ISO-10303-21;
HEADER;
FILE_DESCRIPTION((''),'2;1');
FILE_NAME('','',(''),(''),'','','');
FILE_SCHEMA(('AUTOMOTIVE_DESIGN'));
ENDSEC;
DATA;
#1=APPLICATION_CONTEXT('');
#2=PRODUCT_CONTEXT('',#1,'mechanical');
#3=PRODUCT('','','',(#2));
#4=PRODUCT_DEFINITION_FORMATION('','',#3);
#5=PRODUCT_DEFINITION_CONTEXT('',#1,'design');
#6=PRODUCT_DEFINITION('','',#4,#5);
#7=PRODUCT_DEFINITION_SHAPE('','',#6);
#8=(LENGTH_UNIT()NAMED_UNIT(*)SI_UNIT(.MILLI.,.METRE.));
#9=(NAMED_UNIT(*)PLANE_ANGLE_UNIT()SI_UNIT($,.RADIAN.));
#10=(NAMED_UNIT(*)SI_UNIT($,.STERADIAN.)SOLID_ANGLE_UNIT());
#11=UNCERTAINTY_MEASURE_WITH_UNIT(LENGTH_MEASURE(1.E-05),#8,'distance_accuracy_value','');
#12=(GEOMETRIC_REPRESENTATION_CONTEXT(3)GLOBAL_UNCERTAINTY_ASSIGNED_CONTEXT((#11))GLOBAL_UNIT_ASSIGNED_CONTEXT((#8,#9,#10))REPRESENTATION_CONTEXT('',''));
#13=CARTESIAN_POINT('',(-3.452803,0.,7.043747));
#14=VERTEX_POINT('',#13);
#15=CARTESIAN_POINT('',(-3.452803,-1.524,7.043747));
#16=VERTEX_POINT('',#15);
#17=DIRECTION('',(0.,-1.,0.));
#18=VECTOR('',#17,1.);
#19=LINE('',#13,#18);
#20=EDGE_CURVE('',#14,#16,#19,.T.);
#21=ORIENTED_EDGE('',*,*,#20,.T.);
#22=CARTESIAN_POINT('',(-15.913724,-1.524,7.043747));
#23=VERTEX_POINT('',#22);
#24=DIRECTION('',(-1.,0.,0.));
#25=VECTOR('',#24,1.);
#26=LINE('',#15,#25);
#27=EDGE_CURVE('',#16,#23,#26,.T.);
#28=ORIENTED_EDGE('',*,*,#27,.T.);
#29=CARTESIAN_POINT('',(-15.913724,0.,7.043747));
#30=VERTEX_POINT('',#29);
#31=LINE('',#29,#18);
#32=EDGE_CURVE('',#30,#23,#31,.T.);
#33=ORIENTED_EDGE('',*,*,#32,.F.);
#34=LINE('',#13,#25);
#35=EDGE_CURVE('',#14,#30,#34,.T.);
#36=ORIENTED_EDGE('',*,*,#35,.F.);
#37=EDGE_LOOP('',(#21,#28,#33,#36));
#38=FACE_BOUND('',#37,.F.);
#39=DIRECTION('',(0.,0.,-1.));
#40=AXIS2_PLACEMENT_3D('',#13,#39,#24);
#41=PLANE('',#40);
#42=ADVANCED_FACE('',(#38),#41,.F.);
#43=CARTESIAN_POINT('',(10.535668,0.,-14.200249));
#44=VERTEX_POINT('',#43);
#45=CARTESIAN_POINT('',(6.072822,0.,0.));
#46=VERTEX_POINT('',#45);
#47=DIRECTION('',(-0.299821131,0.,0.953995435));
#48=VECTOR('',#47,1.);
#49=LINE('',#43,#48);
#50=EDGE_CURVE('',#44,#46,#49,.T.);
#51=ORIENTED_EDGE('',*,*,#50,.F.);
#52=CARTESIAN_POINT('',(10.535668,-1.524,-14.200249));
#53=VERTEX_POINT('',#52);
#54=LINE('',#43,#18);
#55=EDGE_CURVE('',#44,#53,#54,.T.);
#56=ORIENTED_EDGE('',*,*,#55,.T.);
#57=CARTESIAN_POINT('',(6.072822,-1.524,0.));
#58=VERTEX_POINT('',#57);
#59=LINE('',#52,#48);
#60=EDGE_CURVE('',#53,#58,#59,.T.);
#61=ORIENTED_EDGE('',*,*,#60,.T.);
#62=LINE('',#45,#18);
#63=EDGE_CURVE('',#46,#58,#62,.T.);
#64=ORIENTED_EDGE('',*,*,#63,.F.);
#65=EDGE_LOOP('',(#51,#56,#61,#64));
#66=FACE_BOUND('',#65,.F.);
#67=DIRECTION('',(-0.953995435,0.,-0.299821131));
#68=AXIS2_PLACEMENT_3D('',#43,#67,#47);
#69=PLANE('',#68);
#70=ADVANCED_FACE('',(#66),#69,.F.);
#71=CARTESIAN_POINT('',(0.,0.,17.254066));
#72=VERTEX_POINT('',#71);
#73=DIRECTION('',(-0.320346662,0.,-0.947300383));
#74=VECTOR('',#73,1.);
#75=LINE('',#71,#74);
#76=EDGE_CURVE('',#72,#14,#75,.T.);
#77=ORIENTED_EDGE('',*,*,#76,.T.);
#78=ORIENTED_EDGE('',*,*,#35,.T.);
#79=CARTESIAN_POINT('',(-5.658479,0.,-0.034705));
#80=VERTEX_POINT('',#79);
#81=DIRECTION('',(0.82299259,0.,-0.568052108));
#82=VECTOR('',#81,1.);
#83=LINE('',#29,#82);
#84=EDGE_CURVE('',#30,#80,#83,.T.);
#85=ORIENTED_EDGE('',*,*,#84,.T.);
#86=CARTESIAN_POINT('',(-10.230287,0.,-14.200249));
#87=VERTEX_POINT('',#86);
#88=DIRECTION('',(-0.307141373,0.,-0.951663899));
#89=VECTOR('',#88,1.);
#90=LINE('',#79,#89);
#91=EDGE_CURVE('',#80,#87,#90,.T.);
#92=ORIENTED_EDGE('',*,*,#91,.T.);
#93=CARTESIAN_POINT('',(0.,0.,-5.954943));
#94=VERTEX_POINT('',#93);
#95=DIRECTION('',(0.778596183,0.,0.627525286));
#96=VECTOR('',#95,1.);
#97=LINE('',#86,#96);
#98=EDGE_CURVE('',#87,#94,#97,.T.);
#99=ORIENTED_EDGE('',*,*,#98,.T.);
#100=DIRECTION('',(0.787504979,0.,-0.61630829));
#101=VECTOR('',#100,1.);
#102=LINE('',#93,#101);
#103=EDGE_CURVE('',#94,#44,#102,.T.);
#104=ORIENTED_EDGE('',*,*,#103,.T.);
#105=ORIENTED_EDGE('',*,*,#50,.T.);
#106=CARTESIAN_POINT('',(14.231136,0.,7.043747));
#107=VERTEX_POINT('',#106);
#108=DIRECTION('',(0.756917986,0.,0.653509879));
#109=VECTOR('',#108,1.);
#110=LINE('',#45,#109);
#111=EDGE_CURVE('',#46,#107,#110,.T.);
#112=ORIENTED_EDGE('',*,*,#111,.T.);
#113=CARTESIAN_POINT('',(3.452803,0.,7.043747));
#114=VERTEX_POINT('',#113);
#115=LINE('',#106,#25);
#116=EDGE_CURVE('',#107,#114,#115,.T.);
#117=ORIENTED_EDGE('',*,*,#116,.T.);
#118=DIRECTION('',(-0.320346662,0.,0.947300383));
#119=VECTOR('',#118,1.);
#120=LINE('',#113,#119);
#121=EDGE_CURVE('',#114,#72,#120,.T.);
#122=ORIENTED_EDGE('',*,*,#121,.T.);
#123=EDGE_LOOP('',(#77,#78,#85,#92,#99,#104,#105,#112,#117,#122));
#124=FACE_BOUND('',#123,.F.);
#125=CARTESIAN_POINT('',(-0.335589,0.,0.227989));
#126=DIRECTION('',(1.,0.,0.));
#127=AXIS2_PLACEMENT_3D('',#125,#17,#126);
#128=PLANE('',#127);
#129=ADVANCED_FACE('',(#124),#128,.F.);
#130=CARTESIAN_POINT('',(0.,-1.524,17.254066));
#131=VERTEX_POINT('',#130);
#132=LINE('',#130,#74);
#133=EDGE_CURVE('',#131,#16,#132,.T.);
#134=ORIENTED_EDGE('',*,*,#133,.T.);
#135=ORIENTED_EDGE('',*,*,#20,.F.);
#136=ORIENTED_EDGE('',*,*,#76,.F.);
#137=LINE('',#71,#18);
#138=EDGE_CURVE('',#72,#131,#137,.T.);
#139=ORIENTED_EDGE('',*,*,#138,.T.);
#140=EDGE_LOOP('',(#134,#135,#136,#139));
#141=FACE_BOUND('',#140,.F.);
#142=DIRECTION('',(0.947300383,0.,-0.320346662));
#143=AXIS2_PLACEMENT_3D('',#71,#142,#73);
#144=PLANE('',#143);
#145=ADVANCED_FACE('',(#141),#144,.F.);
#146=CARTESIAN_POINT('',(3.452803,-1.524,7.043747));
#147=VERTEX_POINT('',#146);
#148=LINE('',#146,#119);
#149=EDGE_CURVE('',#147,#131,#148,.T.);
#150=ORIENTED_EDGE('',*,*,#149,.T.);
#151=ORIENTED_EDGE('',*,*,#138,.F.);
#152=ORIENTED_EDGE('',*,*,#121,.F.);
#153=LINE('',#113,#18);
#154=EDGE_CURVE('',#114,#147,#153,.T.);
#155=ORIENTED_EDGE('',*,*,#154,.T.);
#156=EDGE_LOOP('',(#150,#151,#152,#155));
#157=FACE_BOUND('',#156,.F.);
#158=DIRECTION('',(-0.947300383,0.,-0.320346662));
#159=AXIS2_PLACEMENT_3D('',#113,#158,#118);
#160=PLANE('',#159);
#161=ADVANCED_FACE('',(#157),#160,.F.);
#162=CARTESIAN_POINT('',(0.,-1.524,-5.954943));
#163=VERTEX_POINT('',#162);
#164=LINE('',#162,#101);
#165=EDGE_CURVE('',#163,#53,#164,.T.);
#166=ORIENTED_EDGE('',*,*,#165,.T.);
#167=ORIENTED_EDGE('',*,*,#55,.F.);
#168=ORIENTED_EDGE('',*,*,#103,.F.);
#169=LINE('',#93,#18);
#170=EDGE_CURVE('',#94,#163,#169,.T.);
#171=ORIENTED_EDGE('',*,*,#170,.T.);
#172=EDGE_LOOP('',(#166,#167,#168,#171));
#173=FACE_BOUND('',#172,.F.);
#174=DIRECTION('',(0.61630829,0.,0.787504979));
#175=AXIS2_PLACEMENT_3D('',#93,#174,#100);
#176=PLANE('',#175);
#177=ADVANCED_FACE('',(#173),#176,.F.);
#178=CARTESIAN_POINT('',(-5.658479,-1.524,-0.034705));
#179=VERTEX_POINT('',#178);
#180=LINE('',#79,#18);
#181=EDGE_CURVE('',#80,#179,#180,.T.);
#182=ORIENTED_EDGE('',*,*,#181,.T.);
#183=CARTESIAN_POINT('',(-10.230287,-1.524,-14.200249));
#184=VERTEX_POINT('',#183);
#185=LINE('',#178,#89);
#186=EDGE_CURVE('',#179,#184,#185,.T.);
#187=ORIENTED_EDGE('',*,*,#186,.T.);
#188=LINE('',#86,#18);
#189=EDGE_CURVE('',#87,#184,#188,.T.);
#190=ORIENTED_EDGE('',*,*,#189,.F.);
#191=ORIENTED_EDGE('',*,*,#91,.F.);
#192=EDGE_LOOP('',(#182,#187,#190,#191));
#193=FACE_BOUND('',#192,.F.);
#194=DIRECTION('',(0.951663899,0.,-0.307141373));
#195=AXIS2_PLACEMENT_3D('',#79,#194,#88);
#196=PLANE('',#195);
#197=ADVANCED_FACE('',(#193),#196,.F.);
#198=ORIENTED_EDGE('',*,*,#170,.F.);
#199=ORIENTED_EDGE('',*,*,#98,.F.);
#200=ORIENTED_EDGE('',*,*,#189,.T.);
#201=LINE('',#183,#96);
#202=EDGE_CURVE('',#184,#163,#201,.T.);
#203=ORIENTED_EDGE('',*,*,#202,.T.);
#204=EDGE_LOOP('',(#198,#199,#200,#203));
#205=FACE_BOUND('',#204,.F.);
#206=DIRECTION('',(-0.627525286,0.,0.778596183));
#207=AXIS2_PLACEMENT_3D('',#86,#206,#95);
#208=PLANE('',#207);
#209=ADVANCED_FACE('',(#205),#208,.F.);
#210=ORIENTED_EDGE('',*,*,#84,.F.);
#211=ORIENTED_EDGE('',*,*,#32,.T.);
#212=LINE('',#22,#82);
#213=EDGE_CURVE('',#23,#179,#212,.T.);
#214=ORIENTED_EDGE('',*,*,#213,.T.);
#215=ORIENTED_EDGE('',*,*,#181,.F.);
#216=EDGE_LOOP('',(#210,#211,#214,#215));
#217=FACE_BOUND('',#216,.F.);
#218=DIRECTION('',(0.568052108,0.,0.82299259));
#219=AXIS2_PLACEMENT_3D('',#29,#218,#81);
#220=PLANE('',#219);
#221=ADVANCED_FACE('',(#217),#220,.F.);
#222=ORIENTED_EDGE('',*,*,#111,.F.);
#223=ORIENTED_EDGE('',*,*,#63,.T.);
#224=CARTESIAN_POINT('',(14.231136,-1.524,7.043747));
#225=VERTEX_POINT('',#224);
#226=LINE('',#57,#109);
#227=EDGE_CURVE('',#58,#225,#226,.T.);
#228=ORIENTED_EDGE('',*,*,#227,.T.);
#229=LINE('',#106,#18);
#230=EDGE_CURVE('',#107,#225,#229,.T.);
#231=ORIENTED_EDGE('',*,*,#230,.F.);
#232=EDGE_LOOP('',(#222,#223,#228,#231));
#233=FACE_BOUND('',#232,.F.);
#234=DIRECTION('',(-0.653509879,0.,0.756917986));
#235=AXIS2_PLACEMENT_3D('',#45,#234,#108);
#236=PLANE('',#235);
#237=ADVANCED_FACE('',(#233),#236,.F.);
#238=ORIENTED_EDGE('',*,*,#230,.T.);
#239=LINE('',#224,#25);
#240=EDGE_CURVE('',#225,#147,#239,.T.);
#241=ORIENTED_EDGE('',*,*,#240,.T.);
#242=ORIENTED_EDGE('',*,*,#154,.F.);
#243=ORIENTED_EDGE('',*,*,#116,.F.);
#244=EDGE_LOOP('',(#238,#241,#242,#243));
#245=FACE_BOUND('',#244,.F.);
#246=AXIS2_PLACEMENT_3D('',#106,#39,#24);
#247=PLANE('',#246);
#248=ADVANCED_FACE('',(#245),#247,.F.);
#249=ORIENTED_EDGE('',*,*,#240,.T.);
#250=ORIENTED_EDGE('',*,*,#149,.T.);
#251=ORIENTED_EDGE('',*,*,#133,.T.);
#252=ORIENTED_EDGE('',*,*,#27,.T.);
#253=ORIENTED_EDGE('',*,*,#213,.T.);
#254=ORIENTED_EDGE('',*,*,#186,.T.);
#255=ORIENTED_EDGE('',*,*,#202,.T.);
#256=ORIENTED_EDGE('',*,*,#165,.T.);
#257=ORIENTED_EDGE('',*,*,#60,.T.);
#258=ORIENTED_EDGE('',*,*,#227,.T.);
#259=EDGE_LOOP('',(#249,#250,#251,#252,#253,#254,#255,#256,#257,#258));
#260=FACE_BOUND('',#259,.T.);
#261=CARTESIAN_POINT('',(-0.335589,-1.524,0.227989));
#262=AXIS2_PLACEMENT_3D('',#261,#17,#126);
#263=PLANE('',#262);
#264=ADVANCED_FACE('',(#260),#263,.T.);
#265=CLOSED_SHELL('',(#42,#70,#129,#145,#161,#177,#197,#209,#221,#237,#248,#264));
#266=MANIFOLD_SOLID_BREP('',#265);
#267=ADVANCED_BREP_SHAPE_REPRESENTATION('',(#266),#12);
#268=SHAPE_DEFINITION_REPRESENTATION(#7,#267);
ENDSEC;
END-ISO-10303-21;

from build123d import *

# Parameters (mm, degrees)
F2_DEPTH = 1.524


with BuildPart() as f2:
    # F1 (on face) → F2 (new body)
    with BuildSketch(Plane.XZ):
        Polygon((3.452803, 7.043747), (0, 17.254066), (-3.452803, 7.043747), (-15.913724, 7.043747), (-5.658479, -0.034705), (-10.230287, -14.200249), (0, -5.954943), (10.535668, -14.200249), (6.072822, 0), (14.231136, 7.043747), align=None)
    extrude(amount=F2_DEPTH)


solid = f2.part
